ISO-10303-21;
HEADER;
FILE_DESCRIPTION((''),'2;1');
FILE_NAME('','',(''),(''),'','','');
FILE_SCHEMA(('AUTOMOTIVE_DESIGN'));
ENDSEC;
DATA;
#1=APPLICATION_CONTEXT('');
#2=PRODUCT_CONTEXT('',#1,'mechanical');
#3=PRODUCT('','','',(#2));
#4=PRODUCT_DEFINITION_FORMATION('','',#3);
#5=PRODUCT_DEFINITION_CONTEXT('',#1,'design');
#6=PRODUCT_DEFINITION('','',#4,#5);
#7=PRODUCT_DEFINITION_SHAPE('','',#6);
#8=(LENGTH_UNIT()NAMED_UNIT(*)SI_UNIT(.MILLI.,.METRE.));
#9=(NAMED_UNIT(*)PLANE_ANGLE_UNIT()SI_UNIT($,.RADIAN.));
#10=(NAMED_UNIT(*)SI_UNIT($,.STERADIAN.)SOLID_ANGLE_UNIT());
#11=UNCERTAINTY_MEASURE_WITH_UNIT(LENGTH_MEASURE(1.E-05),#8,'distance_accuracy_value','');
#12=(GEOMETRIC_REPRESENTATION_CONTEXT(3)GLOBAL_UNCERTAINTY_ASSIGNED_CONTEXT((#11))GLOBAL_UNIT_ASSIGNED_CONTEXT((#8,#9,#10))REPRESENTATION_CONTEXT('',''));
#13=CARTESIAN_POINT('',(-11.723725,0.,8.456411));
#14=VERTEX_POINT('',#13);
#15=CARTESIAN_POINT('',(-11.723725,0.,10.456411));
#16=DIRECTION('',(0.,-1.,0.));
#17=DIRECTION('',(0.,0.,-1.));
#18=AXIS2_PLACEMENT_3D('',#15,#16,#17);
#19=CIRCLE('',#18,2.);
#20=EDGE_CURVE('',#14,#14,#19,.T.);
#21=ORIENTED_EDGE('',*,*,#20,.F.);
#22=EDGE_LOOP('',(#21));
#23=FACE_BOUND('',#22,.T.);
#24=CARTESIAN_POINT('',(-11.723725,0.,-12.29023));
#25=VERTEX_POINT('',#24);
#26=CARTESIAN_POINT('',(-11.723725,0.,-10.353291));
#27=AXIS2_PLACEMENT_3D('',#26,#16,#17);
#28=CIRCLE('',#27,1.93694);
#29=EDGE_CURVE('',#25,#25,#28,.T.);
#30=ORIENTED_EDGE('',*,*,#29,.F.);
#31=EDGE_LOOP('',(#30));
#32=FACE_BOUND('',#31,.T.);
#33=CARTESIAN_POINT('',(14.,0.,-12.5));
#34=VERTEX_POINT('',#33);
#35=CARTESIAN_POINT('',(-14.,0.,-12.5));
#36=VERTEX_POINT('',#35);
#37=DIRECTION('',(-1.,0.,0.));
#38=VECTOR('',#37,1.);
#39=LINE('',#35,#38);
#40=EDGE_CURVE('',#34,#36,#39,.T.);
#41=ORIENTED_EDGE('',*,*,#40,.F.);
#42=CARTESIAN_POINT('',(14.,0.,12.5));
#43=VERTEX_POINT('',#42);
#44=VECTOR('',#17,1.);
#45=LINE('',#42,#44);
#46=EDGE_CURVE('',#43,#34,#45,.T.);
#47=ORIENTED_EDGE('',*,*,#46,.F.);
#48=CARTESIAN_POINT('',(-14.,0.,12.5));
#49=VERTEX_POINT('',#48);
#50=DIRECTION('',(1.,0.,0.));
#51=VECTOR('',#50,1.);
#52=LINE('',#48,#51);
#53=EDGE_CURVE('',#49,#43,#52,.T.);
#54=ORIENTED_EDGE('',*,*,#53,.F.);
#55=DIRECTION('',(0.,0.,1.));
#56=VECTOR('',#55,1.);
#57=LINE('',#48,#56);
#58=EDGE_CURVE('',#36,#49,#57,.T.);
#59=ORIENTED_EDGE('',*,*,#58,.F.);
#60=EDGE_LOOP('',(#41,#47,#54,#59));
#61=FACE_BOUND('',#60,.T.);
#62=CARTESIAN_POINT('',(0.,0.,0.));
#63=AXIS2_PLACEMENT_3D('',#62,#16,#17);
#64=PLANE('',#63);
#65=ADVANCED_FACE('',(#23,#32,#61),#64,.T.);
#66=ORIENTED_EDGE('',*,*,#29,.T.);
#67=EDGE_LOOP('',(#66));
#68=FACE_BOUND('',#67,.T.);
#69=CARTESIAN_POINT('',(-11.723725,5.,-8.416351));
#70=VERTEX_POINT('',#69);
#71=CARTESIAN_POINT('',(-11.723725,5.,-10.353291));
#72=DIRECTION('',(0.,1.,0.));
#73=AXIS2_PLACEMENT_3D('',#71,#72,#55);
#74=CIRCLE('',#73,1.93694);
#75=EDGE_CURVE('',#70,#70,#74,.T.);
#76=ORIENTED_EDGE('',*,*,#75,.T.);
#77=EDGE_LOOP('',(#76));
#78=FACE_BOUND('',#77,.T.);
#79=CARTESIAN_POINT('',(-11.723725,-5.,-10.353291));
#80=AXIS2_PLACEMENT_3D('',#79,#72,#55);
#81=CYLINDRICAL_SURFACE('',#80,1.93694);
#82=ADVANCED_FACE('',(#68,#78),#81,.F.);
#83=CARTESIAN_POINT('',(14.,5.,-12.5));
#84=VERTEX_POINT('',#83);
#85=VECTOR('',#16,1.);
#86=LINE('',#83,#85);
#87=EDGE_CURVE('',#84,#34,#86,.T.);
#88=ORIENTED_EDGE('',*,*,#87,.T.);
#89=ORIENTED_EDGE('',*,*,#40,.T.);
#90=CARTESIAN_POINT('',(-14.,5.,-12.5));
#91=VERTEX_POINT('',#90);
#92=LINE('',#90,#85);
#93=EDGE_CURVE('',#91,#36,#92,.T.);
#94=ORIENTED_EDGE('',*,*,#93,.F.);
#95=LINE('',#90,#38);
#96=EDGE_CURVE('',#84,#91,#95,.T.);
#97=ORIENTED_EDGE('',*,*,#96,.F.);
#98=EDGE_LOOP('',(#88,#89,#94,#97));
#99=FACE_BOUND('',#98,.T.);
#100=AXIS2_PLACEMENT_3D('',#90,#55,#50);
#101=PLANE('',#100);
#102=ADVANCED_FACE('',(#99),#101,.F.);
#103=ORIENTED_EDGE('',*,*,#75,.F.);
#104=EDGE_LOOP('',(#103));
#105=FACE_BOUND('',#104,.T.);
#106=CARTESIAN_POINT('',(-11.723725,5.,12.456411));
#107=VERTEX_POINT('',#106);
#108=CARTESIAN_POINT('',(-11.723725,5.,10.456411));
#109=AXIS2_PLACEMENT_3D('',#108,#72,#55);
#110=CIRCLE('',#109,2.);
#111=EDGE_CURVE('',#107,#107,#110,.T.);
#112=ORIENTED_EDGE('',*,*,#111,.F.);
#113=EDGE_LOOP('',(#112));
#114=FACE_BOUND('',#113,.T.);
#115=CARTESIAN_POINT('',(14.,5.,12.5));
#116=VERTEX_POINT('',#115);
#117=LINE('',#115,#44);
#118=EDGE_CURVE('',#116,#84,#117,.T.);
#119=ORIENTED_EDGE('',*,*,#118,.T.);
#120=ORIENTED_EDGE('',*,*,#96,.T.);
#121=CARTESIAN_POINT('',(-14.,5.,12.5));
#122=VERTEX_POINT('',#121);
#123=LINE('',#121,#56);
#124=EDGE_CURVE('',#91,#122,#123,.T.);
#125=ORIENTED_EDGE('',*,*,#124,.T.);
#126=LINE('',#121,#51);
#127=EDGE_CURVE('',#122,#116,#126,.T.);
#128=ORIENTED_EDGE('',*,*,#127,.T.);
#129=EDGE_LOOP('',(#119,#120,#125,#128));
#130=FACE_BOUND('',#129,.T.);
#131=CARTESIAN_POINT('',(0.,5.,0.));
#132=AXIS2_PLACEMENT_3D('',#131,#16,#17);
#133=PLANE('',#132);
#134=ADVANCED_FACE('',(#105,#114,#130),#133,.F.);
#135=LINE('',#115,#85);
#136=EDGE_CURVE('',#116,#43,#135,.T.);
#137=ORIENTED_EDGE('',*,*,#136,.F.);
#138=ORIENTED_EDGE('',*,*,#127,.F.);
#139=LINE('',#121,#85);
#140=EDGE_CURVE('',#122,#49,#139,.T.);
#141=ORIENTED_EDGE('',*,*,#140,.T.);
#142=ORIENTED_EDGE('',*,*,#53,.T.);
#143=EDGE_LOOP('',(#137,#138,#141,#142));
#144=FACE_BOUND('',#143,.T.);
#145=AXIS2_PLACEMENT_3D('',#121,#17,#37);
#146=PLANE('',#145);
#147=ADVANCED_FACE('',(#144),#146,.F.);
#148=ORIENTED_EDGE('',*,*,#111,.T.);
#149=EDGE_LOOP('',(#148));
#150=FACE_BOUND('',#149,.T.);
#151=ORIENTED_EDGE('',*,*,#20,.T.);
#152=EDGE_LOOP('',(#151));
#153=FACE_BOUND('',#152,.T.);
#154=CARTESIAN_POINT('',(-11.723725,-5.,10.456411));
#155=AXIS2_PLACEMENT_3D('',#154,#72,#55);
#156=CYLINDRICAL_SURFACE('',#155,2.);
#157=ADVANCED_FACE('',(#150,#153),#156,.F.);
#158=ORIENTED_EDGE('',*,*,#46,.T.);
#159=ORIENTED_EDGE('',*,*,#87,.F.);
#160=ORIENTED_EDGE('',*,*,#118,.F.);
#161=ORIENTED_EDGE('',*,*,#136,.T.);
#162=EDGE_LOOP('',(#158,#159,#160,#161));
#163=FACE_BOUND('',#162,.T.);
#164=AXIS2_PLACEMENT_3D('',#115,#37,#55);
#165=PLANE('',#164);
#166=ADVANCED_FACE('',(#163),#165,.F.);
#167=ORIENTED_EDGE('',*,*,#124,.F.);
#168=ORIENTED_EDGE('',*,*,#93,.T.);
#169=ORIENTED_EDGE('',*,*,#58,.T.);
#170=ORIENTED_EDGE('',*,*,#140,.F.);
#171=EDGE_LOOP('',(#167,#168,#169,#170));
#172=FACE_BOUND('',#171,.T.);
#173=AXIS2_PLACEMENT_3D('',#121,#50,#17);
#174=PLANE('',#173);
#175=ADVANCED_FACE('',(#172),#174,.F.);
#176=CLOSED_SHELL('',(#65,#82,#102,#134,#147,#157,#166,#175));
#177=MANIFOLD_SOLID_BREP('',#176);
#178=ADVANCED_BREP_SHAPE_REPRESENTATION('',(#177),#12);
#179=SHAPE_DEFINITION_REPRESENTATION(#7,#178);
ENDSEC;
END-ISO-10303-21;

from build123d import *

# Parameters (mm, degrees)
SKETCH1_W           = 28
SKETCH1_H           = 25
BOSS_EXTRUDE1_DEPTH = 5
SKETCH2_R           = 1.936939751
SKETCH2_R_2         = 2
CUT_EXTRUDE1_DEPTH  = 10


with BuildPart() as part:
    # Sketch1 → Boss-Extrude1 (new body)
    with BuildSketch(Plane(origin=(0, 0, 0), x_dir=(1, 0, 0), z_dir=(0, 1, 0))):
        Rectangle(SKETCH1_W, SKETCH1_H)
    extrude(amount=BOSS_EXTRUDE1_DEPTH)

    # Sketch2 → Cut-Extrude1 (cut)
    with BuildSketch(Plane(origin=(0, 5, 0), x_dir=(1, 0, 0), z_dir=(0, 1, 0))):
        with Locations((-11.723724934, 10.3532906)):
            Circle(SKETCH2_R)
        with Locations((-11.723724934, -10.456411058)):
            Circle(SKETCH2_R_2)
    extrude(amount=-CUT_EXTRUDE1_DEPTH, mode=Mode.SUBTRACT)


solid = part.part
